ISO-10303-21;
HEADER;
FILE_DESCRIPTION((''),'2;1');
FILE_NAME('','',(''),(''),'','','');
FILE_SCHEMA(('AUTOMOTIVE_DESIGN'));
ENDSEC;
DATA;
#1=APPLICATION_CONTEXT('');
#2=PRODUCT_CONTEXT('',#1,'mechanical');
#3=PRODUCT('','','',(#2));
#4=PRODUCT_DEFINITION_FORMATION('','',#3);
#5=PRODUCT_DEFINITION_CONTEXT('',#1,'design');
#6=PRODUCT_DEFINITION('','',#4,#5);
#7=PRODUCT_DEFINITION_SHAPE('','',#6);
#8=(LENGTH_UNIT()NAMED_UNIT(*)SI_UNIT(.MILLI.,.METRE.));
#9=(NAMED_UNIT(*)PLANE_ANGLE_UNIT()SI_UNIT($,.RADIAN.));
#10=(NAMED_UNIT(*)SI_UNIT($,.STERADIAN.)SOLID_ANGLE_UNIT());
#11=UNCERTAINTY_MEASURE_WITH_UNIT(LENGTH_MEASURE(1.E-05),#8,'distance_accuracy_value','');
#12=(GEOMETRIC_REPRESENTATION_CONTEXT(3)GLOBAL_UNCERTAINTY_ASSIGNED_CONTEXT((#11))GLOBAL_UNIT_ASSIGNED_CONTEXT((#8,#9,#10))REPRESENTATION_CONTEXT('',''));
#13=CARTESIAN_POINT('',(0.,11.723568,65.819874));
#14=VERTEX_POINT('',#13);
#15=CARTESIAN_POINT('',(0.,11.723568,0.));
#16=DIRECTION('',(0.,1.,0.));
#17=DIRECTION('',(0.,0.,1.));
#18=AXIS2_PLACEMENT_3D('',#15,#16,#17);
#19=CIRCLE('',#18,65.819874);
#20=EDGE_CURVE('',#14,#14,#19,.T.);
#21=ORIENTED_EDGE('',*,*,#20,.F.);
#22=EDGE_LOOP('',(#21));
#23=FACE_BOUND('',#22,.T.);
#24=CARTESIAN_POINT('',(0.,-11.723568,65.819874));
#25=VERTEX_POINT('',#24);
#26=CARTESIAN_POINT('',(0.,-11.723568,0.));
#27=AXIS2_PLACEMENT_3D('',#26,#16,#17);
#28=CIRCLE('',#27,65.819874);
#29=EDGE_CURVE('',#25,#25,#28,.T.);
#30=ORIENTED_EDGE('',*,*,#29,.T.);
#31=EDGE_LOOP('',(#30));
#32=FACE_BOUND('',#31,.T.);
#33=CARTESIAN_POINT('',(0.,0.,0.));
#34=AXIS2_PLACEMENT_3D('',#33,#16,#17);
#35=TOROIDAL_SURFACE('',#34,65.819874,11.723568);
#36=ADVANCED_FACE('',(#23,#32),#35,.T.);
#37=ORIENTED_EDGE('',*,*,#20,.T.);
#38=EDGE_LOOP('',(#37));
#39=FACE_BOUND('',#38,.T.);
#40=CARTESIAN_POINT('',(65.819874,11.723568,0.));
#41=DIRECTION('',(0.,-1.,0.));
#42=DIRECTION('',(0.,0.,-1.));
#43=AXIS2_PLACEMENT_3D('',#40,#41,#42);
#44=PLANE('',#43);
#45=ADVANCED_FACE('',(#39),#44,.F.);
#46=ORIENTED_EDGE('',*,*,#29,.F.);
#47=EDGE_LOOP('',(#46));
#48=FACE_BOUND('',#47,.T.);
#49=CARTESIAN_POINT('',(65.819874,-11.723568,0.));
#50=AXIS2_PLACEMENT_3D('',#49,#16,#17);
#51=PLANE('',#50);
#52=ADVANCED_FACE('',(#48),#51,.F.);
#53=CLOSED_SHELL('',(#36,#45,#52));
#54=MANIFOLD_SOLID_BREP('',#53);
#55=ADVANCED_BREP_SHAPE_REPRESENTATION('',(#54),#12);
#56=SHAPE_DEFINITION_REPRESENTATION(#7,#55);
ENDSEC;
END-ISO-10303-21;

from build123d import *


with BuildPart() as part:
    # Эскиз1 → Повернуть1 (revolve)
    with BuildSketch(Plane.XY):
        with BuildLine():
            Line((65.819874197, 11.723568229), (0, 11.723568229))
            Line((0, 11.723568229), (0, -11.723568229))
            Line((0, -11.723568229), (65.819874197, -11.723568229))
            ThreePointArc((65.819874197, -11.723568229), (77.543442427, 0), (65.819874197, 11.723568229))
        make_face()
    revolve(axis=Axis((0, 37.699950899, 0), (0, -1, 0)))


solid = part.part
